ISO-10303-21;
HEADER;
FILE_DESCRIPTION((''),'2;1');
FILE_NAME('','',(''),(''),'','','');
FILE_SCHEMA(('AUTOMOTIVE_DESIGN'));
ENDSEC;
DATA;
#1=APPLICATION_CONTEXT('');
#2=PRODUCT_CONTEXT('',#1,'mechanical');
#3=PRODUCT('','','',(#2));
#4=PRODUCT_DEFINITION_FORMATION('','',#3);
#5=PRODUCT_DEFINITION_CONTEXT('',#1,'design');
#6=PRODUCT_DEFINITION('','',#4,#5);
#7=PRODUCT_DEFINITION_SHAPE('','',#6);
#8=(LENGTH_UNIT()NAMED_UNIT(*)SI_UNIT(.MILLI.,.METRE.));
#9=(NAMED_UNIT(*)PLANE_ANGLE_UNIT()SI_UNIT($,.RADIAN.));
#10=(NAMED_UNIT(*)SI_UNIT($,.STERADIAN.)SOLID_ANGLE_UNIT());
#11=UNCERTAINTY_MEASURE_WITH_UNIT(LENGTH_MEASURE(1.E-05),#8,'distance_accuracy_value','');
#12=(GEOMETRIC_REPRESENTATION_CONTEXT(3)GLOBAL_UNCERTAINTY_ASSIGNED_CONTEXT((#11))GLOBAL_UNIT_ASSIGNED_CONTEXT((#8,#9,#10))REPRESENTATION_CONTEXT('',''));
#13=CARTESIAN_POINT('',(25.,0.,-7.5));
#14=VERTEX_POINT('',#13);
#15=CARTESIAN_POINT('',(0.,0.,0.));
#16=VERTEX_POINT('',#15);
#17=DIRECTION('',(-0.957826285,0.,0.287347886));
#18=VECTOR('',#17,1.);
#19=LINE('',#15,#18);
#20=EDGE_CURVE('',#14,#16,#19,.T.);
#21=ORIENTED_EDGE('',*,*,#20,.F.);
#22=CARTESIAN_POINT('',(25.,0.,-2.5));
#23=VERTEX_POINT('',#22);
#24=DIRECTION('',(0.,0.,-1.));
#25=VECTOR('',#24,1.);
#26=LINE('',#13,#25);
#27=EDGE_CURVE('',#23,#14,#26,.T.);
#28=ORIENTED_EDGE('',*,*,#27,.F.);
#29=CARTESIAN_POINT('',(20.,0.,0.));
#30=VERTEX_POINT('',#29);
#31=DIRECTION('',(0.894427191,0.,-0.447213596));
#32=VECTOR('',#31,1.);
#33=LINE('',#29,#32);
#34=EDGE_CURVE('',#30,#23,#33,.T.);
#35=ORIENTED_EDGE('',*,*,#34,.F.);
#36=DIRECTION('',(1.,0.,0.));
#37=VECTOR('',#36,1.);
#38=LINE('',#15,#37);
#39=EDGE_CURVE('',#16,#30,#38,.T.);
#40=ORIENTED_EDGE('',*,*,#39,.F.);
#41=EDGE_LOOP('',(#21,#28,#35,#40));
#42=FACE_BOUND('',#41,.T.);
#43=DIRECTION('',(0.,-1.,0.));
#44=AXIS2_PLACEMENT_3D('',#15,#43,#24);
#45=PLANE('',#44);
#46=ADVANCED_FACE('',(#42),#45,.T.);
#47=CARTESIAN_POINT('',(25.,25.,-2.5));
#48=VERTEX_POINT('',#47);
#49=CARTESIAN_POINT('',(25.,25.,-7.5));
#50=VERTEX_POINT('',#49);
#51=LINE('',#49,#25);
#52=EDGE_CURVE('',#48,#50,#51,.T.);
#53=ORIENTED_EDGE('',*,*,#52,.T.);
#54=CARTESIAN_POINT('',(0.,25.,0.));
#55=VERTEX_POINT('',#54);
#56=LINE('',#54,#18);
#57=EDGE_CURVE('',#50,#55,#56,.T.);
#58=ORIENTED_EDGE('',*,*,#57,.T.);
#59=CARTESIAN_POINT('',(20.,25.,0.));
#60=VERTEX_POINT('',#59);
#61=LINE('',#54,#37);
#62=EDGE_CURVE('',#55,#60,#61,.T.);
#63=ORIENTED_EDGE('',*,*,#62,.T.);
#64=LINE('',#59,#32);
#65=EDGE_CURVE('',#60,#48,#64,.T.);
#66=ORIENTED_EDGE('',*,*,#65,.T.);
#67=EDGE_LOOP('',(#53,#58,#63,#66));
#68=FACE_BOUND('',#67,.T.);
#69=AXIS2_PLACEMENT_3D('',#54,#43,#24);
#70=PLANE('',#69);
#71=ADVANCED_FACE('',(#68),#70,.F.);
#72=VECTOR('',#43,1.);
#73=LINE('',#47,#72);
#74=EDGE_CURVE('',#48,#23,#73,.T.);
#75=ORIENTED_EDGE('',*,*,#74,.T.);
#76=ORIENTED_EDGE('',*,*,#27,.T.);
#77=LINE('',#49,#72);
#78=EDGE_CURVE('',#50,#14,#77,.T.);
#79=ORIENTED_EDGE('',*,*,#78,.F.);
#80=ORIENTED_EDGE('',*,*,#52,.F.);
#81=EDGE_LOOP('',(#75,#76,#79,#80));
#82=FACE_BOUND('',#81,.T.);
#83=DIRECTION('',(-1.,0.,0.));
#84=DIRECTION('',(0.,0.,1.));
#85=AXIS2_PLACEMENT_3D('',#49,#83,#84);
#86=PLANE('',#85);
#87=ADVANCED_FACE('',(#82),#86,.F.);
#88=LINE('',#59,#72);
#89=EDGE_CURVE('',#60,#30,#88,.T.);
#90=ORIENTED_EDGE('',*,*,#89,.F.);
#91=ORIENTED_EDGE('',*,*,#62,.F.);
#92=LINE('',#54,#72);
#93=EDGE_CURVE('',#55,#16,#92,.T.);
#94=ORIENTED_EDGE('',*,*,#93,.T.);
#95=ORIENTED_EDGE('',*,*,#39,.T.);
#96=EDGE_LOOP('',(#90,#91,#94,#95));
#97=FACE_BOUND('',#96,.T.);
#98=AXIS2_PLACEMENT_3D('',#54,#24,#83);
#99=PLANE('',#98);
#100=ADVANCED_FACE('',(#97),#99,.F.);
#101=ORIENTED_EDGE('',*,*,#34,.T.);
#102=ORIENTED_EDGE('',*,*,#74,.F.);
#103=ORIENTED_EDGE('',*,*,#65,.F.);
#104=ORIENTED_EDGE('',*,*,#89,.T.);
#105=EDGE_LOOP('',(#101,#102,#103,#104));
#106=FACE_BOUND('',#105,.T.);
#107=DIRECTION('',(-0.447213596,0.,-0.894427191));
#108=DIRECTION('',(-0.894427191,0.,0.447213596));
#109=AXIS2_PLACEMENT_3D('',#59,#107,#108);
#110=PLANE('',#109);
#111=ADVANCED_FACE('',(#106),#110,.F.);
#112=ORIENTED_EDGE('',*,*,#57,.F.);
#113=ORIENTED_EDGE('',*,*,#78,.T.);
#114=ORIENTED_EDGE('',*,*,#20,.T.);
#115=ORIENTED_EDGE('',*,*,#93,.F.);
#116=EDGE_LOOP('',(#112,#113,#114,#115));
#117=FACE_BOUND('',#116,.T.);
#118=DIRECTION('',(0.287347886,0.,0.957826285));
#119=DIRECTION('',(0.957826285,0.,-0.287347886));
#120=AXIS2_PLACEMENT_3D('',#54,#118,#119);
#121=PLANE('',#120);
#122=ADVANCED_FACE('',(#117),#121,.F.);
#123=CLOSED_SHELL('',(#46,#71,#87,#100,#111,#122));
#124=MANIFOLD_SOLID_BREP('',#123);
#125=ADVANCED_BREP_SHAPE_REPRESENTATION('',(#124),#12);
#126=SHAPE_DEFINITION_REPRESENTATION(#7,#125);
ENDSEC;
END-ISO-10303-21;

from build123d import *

# Parameters (mm, degrees)
BOSS_EXTRUDE1_DEPTH = 25


with BuildPart() as part:
    # Sketch1 → Boss-Extrude1 (new body)
    with BuildSketch(Plane(origin=(0, 0, 0), x_dir=(1, 0, 0), z_dir=(0, 1, 0))):
        Polygon((0, 0), (25, 7.5), (25, 2.5), (20, 0), align=None)
    extrude(amount=BOSS_EXTRUDE1_DEPTH)


solid = part.part
